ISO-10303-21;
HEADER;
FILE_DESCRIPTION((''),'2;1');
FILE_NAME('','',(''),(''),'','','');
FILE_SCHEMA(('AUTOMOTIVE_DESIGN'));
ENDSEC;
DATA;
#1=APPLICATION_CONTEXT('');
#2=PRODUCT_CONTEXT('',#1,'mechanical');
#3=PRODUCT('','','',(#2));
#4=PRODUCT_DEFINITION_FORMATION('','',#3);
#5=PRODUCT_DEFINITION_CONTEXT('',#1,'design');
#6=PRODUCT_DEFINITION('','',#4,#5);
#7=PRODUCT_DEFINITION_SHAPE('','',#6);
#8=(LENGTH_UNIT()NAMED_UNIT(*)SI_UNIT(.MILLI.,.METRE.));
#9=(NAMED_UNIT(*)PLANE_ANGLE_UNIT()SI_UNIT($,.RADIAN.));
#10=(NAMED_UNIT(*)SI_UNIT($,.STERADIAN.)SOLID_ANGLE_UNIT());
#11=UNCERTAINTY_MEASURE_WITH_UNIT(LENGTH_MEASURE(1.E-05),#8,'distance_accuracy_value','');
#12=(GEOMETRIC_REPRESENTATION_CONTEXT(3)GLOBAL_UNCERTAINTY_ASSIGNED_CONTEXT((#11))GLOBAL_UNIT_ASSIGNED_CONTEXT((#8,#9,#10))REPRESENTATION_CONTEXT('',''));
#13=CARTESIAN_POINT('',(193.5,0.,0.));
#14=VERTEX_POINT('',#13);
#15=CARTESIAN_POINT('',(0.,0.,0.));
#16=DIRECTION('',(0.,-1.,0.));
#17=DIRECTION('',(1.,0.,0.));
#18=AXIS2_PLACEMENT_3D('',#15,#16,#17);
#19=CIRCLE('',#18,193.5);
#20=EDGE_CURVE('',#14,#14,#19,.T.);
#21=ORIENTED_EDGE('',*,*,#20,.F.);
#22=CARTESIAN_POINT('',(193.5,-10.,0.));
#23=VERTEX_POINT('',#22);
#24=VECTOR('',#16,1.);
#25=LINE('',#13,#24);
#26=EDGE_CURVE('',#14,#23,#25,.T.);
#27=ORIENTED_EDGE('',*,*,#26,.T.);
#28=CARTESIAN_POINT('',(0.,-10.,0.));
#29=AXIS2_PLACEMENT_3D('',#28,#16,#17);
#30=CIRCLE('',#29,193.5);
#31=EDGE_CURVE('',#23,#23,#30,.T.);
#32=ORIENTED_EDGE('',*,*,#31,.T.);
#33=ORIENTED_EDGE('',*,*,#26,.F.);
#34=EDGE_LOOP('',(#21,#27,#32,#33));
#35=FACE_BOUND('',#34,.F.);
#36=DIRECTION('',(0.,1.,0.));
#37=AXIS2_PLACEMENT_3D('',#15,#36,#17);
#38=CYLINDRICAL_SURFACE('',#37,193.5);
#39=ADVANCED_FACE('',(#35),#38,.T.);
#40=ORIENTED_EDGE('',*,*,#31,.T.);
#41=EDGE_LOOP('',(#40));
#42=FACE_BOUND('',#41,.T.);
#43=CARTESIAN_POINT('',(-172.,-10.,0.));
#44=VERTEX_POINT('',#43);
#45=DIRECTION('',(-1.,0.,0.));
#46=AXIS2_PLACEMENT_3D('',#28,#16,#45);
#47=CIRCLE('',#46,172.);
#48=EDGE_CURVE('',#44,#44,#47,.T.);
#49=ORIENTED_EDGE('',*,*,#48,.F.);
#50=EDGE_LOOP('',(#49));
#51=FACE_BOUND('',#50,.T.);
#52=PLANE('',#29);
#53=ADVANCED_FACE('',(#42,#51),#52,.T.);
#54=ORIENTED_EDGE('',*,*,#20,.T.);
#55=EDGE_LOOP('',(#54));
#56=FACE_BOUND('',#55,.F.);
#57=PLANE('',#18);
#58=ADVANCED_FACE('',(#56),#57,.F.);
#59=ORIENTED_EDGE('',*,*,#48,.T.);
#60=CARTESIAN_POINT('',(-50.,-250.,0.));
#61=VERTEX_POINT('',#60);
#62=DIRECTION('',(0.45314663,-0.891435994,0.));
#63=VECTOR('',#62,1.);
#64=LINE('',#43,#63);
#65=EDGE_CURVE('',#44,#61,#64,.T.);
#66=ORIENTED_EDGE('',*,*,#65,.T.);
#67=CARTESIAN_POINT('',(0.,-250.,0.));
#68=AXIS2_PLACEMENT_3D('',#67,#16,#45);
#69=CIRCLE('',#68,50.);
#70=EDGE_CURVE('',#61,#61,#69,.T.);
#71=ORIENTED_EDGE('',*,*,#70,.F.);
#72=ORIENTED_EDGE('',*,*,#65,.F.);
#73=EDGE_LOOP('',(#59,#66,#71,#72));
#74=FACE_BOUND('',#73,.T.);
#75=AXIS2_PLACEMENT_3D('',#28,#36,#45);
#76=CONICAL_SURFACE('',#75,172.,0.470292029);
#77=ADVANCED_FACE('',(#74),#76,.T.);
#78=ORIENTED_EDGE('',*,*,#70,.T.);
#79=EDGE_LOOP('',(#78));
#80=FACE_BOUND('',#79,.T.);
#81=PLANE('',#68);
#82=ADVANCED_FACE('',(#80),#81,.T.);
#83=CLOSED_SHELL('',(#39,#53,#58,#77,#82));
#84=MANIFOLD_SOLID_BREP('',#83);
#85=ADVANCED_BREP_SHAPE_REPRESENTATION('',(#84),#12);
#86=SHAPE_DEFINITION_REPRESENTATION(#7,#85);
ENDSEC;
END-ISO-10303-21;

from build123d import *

# Parameters (mm, degrees)
F0_R     = 193.5
F1_DEPTH = 10


with BuildPart() as f1:
    # F0 (on Front) → F1 (new body)
    with BuildSketch(Plane.XZ):
        Circle(F0_R)
    extrude(amount=F1_DEPTH)

    # F2 (on Top) → F3 (revolve)
    with BuildSketch(Plane.XY):
        Polygon((0, -10), (-172, -10), (-50, -250), (0, -250), align=None)
    revolve(axis=Axis((0, -130, 0), (0, -1, 0)))


solid = f1.part
